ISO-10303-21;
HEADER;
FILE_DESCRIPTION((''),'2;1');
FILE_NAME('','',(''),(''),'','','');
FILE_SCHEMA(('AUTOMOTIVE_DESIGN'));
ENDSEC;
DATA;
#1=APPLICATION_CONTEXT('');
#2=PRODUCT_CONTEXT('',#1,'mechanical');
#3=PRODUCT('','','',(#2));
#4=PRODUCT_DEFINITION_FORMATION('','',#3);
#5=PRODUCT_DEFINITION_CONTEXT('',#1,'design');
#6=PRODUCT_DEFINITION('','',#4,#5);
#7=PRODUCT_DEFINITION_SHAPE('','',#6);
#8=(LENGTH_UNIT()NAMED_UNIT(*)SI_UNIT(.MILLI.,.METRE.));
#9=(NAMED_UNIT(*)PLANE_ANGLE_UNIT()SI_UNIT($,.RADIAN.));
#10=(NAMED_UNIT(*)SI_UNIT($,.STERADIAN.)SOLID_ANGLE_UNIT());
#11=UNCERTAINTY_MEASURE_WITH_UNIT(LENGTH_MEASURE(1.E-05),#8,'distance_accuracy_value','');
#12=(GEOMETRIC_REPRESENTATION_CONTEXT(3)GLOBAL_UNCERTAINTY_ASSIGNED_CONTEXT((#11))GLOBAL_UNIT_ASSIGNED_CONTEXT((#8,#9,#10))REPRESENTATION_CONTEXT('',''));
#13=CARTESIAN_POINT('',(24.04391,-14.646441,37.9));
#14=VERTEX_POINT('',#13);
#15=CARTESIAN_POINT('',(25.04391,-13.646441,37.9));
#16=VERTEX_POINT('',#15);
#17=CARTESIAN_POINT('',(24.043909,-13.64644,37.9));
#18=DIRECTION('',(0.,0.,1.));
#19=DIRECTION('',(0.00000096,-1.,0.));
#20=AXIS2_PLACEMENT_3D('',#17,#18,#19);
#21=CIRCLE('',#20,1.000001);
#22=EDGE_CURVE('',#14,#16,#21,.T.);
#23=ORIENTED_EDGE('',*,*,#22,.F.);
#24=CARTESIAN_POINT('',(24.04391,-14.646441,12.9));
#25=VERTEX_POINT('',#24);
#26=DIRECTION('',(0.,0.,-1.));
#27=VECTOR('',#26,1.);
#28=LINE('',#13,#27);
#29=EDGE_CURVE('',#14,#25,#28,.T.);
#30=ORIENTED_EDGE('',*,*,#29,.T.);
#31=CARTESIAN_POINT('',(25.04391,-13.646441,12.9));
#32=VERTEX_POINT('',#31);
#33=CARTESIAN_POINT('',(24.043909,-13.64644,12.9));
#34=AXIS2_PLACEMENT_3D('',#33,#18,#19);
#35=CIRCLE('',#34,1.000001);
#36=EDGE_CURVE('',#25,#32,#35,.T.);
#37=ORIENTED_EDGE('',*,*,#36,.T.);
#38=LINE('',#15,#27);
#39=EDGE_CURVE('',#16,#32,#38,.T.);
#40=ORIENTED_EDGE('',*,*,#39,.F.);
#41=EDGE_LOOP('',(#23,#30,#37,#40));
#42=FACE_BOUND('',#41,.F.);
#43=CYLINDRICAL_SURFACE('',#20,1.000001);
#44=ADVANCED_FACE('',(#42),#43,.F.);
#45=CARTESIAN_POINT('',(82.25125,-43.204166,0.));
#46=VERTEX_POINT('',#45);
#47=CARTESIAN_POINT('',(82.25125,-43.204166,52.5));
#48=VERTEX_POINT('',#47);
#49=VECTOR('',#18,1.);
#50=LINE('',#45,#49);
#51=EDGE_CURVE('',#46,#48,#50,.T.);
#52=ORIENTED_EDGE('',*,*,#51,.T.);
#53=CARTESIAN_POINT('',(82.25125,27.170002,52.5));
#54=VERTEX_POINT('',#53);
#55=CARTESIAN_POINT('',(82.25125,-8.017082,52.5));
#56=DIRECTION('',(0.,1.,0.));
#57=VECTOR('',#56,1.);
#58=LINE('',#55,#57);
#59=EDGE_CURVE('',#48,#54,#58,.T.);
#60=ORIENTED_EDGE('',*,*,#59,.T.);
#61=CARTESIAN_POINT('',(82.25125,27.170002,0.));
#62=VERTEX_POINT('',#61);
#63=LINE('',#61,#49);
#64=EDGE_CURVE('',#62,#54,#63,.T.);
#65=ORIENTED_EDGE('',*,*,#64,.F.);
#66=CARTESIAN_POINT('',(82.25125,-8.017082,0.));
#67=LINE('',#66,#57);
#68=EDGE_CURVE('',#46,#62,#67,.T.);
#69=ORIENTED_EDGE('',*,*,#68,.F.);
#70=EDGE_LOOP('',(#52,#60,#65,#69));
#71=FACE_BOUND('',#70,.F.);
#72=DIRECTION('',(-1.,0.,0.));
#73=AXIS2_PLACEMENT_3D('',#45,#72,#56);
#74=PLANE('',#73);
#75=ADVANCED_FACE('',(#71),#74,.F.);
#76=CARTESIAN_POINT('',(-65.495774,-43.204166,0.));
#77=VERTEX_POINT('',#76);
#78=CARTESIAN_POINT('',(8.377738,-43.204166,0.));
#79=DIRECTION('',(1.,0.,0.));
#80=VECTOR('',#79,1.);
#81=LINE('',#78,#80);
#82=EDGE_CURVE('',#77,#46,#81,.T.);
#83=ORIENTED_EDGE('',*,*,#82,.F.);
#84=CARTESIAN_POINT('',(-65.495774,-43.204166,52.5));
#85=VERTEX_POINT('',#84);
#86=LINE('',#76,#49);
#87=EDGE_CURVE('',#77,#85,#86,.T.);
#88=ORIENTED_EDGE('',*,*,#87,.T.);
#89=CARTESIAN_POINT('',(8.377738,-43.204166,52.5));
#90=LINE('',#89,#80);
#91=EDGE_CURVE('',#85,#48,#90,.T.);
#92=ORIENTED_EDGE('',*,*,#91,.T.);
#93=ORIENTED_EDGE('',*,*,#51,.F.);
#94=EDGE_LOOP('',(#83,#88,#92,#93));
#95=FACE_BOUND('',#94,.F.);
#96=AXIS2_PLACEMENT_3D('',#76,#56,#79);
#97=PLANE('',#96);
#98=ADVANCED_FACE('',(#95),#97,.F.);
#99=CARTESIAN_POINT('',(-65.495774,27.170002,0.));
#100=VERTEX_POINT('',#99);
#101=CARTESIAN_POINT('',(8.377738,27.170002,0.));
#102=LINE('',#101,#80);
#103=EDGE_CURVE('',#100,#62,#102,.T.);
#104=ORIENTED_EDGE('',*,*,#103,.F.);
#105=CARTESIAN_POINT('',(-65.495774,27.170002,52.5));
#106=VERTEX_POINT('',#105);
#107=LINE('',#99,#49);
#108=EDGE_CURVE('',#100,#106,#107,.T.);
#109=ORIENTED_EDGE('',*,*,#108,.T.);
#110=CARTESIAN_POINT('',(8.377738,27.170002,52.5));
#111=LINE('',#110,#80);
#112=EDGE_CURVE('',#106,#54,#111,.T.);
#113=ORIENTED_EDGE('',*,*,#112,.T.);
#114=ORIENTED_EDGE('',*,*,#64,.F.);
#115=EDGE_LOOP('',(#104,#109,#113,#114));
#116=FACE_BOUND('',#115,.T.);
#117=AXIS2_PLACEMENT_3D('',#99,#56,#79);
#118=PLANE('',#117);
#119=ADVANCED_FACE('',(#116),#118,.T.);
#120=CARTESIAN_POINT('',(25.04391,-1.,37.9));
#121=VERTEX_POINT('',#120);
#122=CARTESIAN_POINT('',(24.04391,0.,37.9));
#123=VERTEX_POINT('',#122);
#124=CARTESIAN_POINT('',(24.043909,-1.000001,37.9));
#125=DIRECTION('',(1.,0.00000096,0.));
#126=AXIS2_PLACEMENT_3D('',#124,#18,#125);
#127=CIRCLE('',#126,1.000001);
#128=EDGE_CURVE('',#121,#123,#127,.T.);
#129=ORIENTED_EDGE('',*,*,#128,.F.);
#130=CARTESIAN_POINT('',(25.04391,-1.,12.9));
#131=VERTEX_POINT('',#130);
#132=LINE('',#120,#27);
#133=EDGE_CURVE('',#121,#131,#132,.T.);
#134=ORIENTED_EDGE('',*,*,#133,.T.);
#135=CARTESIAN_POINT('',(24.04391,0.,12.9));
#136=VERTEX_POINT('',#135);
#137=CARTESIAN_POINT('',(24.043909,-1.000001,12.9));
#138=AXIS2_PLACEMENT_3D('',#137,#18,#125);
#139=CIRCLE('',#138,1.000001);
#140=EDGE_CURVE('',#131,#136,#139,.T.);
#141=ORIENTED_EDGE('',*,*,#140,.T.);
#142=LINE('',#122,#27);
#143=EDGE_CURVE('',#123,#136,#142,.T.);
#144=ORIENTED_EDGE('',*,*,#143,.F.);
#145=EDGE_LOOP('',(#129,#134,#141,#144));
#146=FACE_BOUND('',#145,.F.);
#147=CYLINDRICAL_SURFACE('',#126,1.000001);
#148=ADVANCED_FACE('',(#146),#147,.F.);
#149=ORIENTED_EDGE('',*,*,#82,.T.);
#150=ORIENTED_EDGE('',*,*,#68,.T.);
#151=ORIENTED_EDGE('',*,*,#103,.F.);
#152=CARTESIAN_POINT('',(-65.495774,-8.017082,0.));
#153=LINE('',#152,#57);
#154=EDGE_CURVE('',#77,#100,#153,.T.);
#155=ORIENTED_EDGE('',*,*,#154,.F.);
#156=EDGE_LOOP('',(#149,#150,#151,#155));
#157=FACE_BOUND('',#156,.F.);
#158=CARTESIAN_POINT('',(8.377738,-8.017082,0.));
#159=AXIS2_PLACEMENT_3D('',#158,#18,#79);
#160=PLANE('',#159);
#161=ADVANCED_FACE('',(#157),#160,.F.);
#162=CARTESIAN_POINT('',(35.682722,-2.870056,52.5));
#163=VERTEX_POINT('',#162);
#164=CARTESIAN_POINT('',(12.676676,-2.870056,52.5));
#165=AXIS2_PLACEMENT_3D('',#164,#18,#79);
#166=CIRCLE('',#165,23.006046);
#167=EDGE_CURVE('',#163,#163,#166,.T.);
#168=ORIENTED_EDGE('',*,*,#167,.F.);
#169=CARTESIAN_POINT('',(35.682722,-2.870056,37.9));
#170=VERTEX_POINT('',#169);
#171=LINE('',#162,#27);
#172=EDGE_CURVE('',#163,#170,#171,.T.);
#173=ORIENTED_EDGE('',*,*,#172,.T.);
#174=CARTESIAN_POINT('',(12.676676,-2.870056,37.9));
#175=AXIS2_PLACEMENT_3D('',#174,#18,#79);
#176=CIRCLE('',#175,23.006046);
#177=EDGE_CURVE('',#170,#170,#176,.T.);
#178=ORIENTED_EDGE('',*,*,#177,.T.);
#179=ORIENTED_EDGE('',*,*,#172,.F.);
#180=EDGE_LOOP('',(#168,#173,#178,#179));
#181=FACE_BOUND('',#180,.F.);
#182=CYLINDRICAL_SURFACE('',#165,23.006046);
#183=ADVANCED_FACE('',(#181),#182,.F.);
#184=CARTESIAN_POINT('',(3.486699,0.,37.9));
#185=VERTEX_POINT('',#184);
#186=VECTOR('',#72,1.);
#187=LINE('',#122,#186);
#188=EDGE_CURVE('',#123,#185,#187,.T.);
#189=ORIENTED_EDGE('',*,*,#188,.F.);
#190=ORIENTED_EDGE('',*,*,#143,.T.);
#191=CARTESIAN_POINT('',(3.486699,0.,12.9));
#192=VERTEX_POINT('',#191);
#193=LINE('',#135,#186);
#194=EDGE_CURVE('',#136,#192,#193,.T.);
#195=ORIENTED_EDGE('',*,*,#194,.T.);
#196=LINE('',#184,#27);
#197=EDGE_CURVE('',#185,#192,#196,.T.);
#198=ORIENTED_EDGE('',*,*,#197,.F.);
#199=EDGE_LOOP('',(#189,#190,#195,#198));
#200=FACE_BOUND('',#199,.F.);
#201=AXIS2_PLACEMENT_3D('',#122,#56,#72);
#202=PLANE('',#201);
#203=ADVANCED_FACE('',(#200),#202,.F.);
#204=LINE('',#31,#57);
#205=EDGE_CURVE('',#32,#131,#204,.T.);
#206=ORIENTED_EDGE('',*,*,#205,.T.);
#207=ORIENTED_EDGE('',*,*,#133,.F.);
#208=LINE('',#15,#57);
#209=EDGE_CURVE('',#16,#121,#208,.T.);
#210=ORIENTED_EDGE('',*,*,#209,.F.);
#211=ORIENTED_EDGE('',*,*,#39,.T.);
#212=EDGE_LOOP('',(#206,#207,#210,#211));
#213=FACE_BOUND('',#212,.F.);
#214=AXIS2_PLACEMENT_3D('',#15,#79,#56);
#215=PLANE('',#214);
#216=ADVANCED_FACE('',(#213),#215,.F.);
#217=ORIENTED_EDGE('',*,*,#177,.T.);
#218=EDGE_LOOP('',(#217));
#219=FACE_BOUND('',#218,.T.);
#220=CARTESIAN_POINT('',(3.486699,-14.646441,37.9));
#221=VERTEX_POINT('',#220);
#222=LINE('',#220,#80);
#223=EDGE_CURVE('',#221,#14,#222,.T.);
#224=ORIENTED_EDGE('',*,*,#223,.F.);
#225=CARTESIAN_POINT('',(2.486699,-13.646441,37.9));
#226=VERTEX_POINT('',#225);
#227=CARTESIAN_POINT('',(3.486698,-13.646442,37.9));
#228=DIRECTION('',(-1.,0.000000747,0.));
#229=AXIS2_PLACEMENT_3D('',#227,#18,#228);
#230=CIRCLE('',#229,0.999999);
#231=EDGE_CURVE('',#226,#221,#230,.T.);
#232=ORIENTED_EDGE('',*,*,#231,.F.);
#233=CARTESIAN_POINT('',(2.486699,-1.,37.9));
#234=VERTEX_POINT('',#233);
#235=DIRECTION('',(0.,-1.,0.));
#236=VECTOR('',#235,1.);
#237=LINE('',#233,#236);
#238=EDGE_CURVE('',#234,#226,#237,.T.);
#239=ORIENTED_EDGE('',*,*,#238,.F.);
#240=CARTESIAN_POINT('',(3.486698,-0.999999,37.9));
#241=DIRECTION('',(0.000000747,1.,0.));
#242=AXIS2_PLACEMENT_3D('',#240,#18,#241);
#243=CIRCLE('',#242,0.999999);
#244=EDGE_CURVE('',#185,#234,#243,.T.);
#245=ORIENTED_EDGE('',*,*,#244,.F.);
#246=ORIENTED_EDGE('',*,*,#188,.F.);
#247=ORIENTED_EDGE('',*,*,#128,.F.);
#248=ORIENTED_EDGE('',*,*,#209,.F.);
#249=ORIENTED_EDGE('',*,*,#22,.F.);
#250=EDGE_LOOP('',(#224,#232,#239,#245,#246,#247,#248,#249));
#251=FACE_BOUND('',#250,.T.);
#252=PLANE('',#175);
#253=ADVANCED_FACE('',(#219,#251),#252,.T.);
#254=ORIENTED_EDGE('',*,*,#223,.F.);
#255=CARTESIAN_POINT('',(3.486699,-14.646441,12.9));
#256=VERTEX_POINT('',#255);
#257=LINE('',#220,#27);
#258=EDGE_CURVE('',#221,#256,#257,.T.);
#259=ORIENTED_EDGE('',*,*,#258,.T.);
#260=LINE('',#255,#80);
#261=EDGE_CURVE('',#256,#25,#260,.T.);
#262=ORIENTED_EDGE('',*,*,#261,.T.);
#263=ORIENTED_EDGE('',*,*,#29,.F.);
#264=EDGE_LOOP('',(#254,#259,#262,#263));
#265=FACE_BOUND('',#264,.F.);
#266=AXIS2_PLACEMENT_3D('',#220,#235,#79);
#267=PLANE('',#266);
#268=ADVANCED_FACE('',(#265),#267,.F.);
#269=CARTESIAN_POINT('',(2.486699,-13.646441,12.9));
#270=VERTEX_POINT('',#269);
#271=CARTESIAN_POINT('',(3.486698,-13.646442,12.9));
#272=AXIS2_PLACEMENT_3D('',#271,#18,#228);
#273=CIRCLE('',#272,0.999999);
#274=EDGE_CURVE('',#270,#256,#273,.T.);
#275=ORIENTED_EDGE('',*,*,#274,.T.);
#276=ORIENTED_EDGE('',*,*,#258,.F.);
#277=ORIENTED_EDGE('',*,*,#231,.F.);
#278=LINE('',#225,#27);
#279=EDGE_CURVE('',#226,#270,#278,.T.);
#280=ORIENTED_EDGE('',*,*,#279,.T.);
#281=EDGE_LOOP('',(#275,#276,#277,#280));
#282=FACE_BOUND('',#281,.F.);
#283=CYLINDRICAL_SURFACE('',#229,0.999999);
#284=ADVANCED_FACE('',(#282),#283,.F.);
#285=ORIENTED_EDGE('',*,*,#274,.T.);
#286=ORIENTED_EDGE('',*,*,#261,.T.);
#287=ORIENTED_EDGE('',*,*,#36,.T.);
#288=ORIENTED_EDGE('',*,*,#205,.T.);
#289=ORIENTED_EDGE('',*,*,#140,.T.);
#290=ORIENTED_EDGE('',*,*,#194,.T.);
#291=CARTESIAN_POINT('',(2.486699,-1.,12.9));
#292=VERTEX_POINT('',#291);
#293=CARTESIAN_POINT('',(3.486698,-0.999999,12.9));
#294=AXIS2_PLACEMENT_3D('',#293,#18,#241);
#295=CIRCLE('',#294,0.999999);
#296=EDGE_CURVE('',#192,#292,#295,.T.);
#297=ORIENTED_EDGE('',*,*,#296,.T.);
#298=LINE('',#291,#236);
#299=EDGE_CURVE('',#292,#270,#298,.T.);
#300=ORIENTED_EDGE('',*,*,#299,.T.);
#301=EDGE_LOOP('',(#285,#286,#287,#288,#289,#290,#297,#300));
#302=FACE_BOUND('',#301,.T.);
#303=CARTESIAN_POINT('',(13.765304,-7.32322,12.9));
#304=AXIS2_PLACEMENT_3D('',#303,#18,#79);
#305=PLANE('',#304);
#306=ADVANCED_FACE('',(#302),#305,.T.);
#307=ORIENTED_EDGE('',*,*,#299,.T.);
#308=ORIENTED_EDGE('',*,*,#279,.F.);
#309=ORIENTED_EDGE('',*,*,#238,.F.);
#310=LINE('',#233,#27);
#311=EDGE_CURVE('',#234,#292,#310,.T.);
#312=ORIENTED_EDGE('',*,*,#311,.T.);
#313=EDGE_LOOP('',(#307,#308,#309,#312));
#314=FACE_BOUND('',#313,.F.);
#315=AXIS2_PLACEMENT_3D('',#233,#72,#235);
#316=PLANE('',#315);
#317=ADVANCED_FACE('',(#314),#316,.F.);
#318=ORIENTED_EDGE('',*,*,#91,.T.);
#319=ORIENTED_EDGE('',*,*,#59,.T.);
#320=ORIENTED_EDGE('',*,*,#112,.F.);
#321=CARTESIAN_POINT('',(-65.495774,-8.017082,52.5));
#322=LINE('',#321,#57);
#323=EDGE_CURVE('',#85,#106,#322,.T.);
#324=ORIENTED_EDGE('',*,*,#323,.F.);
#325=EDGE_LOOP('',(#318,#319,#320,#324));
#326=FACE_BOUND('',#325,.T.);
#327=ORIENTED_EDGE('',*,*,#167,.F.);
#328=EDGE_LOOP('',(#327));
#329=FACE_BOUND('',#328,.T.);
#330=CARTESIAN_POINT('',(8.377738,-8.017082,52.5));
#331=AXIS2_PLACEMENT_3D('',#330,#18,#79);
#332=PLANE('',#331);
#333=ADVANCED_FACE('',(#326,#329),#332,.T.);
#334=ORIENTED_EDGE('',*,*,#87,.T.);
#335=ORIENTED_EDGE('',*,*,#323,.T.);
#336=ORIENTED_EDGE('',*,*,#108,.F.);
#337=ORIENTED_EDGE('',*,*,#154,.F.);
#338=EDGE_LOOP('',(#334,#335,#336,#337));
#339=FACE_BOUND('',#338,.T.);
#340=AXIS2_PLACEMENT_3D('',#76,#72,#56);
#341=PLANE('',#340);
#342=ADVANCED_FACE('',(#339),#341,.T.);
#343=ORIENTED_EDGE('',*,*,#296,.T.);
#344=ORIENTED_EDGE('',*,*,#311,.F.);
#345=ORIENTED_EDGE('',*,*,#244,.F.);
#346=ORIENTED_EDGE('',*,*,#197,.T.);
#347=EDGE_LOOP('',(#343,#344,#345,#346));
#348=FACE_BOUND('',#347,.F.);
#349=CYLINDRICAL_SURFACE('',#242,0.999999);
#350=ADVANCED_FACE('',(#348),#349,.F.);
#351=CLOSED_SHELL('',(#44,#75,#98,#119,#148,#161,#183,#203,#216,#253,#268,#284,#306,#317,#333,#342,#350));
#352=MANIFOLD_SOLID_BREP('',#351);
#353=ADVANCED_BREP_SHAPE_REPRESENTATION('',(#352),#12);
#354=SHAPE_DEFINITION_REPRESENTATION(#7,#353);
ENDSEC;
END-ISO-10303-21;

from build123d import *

# Parameters (mm, degrees)
F0_W     = 147.747025
F0_H     = 70.374168
F1_DEPTH = 52.5
F2_R     = 23.006046
F3_DEPTH = 14.6
F5_DEPTH = 25


with BuildPart() as f1:
    # F0 (on Top) → F1 (new body)
    with BuildSketch(Plane.XY):
        with Locations((8.377738, -8.017082)):
            Rectangle(F0_W, F0_H)
    extrude(amount=F1_DEPTH)

    # F2 (on face) → F3 (cut)
    with BuildSketch(Plane.XY.offset(52.5)):
        with Locations((12.676676, -2.870056)):
            Circle(F2_R)
    extrude(amount=-F3_DEPTH, mode=Mode.SUBTRACT)

    # F4 (on face) → F5 (cut)
    with BuildSketch(Plane.XY.offset(37.9)):
        with BuildLine():
            Line((24.04391, 0), (3.486699, 0))
            ThreePointArc((3.486699, 0), (2.779592, -0.292893), (2.486699, -1))
            Line((2.486699, -1), (2.486699, -13.646441))
            ThreePointArc((2.486699, -13.646441), (2.779592, -14.353548), (3.486699, -14.646441))
            Line((3.486699, -14.646441), (24.04391, -14.646441))
            ThreePointArc((24.04391, -14.646441), (24.751016, -14.353548), (25.04391, -13.646441))
            Line((25.04391, -13.646441), (25.04391, -1))
            ThreePointArc((25.04391, -1), (24.751016, -0.292893), (24.04391, 0))
        make_face()
    extrude(amount=-F5_DEPTH, mode=Mode.SUBTRACT)


solid = f1.part
